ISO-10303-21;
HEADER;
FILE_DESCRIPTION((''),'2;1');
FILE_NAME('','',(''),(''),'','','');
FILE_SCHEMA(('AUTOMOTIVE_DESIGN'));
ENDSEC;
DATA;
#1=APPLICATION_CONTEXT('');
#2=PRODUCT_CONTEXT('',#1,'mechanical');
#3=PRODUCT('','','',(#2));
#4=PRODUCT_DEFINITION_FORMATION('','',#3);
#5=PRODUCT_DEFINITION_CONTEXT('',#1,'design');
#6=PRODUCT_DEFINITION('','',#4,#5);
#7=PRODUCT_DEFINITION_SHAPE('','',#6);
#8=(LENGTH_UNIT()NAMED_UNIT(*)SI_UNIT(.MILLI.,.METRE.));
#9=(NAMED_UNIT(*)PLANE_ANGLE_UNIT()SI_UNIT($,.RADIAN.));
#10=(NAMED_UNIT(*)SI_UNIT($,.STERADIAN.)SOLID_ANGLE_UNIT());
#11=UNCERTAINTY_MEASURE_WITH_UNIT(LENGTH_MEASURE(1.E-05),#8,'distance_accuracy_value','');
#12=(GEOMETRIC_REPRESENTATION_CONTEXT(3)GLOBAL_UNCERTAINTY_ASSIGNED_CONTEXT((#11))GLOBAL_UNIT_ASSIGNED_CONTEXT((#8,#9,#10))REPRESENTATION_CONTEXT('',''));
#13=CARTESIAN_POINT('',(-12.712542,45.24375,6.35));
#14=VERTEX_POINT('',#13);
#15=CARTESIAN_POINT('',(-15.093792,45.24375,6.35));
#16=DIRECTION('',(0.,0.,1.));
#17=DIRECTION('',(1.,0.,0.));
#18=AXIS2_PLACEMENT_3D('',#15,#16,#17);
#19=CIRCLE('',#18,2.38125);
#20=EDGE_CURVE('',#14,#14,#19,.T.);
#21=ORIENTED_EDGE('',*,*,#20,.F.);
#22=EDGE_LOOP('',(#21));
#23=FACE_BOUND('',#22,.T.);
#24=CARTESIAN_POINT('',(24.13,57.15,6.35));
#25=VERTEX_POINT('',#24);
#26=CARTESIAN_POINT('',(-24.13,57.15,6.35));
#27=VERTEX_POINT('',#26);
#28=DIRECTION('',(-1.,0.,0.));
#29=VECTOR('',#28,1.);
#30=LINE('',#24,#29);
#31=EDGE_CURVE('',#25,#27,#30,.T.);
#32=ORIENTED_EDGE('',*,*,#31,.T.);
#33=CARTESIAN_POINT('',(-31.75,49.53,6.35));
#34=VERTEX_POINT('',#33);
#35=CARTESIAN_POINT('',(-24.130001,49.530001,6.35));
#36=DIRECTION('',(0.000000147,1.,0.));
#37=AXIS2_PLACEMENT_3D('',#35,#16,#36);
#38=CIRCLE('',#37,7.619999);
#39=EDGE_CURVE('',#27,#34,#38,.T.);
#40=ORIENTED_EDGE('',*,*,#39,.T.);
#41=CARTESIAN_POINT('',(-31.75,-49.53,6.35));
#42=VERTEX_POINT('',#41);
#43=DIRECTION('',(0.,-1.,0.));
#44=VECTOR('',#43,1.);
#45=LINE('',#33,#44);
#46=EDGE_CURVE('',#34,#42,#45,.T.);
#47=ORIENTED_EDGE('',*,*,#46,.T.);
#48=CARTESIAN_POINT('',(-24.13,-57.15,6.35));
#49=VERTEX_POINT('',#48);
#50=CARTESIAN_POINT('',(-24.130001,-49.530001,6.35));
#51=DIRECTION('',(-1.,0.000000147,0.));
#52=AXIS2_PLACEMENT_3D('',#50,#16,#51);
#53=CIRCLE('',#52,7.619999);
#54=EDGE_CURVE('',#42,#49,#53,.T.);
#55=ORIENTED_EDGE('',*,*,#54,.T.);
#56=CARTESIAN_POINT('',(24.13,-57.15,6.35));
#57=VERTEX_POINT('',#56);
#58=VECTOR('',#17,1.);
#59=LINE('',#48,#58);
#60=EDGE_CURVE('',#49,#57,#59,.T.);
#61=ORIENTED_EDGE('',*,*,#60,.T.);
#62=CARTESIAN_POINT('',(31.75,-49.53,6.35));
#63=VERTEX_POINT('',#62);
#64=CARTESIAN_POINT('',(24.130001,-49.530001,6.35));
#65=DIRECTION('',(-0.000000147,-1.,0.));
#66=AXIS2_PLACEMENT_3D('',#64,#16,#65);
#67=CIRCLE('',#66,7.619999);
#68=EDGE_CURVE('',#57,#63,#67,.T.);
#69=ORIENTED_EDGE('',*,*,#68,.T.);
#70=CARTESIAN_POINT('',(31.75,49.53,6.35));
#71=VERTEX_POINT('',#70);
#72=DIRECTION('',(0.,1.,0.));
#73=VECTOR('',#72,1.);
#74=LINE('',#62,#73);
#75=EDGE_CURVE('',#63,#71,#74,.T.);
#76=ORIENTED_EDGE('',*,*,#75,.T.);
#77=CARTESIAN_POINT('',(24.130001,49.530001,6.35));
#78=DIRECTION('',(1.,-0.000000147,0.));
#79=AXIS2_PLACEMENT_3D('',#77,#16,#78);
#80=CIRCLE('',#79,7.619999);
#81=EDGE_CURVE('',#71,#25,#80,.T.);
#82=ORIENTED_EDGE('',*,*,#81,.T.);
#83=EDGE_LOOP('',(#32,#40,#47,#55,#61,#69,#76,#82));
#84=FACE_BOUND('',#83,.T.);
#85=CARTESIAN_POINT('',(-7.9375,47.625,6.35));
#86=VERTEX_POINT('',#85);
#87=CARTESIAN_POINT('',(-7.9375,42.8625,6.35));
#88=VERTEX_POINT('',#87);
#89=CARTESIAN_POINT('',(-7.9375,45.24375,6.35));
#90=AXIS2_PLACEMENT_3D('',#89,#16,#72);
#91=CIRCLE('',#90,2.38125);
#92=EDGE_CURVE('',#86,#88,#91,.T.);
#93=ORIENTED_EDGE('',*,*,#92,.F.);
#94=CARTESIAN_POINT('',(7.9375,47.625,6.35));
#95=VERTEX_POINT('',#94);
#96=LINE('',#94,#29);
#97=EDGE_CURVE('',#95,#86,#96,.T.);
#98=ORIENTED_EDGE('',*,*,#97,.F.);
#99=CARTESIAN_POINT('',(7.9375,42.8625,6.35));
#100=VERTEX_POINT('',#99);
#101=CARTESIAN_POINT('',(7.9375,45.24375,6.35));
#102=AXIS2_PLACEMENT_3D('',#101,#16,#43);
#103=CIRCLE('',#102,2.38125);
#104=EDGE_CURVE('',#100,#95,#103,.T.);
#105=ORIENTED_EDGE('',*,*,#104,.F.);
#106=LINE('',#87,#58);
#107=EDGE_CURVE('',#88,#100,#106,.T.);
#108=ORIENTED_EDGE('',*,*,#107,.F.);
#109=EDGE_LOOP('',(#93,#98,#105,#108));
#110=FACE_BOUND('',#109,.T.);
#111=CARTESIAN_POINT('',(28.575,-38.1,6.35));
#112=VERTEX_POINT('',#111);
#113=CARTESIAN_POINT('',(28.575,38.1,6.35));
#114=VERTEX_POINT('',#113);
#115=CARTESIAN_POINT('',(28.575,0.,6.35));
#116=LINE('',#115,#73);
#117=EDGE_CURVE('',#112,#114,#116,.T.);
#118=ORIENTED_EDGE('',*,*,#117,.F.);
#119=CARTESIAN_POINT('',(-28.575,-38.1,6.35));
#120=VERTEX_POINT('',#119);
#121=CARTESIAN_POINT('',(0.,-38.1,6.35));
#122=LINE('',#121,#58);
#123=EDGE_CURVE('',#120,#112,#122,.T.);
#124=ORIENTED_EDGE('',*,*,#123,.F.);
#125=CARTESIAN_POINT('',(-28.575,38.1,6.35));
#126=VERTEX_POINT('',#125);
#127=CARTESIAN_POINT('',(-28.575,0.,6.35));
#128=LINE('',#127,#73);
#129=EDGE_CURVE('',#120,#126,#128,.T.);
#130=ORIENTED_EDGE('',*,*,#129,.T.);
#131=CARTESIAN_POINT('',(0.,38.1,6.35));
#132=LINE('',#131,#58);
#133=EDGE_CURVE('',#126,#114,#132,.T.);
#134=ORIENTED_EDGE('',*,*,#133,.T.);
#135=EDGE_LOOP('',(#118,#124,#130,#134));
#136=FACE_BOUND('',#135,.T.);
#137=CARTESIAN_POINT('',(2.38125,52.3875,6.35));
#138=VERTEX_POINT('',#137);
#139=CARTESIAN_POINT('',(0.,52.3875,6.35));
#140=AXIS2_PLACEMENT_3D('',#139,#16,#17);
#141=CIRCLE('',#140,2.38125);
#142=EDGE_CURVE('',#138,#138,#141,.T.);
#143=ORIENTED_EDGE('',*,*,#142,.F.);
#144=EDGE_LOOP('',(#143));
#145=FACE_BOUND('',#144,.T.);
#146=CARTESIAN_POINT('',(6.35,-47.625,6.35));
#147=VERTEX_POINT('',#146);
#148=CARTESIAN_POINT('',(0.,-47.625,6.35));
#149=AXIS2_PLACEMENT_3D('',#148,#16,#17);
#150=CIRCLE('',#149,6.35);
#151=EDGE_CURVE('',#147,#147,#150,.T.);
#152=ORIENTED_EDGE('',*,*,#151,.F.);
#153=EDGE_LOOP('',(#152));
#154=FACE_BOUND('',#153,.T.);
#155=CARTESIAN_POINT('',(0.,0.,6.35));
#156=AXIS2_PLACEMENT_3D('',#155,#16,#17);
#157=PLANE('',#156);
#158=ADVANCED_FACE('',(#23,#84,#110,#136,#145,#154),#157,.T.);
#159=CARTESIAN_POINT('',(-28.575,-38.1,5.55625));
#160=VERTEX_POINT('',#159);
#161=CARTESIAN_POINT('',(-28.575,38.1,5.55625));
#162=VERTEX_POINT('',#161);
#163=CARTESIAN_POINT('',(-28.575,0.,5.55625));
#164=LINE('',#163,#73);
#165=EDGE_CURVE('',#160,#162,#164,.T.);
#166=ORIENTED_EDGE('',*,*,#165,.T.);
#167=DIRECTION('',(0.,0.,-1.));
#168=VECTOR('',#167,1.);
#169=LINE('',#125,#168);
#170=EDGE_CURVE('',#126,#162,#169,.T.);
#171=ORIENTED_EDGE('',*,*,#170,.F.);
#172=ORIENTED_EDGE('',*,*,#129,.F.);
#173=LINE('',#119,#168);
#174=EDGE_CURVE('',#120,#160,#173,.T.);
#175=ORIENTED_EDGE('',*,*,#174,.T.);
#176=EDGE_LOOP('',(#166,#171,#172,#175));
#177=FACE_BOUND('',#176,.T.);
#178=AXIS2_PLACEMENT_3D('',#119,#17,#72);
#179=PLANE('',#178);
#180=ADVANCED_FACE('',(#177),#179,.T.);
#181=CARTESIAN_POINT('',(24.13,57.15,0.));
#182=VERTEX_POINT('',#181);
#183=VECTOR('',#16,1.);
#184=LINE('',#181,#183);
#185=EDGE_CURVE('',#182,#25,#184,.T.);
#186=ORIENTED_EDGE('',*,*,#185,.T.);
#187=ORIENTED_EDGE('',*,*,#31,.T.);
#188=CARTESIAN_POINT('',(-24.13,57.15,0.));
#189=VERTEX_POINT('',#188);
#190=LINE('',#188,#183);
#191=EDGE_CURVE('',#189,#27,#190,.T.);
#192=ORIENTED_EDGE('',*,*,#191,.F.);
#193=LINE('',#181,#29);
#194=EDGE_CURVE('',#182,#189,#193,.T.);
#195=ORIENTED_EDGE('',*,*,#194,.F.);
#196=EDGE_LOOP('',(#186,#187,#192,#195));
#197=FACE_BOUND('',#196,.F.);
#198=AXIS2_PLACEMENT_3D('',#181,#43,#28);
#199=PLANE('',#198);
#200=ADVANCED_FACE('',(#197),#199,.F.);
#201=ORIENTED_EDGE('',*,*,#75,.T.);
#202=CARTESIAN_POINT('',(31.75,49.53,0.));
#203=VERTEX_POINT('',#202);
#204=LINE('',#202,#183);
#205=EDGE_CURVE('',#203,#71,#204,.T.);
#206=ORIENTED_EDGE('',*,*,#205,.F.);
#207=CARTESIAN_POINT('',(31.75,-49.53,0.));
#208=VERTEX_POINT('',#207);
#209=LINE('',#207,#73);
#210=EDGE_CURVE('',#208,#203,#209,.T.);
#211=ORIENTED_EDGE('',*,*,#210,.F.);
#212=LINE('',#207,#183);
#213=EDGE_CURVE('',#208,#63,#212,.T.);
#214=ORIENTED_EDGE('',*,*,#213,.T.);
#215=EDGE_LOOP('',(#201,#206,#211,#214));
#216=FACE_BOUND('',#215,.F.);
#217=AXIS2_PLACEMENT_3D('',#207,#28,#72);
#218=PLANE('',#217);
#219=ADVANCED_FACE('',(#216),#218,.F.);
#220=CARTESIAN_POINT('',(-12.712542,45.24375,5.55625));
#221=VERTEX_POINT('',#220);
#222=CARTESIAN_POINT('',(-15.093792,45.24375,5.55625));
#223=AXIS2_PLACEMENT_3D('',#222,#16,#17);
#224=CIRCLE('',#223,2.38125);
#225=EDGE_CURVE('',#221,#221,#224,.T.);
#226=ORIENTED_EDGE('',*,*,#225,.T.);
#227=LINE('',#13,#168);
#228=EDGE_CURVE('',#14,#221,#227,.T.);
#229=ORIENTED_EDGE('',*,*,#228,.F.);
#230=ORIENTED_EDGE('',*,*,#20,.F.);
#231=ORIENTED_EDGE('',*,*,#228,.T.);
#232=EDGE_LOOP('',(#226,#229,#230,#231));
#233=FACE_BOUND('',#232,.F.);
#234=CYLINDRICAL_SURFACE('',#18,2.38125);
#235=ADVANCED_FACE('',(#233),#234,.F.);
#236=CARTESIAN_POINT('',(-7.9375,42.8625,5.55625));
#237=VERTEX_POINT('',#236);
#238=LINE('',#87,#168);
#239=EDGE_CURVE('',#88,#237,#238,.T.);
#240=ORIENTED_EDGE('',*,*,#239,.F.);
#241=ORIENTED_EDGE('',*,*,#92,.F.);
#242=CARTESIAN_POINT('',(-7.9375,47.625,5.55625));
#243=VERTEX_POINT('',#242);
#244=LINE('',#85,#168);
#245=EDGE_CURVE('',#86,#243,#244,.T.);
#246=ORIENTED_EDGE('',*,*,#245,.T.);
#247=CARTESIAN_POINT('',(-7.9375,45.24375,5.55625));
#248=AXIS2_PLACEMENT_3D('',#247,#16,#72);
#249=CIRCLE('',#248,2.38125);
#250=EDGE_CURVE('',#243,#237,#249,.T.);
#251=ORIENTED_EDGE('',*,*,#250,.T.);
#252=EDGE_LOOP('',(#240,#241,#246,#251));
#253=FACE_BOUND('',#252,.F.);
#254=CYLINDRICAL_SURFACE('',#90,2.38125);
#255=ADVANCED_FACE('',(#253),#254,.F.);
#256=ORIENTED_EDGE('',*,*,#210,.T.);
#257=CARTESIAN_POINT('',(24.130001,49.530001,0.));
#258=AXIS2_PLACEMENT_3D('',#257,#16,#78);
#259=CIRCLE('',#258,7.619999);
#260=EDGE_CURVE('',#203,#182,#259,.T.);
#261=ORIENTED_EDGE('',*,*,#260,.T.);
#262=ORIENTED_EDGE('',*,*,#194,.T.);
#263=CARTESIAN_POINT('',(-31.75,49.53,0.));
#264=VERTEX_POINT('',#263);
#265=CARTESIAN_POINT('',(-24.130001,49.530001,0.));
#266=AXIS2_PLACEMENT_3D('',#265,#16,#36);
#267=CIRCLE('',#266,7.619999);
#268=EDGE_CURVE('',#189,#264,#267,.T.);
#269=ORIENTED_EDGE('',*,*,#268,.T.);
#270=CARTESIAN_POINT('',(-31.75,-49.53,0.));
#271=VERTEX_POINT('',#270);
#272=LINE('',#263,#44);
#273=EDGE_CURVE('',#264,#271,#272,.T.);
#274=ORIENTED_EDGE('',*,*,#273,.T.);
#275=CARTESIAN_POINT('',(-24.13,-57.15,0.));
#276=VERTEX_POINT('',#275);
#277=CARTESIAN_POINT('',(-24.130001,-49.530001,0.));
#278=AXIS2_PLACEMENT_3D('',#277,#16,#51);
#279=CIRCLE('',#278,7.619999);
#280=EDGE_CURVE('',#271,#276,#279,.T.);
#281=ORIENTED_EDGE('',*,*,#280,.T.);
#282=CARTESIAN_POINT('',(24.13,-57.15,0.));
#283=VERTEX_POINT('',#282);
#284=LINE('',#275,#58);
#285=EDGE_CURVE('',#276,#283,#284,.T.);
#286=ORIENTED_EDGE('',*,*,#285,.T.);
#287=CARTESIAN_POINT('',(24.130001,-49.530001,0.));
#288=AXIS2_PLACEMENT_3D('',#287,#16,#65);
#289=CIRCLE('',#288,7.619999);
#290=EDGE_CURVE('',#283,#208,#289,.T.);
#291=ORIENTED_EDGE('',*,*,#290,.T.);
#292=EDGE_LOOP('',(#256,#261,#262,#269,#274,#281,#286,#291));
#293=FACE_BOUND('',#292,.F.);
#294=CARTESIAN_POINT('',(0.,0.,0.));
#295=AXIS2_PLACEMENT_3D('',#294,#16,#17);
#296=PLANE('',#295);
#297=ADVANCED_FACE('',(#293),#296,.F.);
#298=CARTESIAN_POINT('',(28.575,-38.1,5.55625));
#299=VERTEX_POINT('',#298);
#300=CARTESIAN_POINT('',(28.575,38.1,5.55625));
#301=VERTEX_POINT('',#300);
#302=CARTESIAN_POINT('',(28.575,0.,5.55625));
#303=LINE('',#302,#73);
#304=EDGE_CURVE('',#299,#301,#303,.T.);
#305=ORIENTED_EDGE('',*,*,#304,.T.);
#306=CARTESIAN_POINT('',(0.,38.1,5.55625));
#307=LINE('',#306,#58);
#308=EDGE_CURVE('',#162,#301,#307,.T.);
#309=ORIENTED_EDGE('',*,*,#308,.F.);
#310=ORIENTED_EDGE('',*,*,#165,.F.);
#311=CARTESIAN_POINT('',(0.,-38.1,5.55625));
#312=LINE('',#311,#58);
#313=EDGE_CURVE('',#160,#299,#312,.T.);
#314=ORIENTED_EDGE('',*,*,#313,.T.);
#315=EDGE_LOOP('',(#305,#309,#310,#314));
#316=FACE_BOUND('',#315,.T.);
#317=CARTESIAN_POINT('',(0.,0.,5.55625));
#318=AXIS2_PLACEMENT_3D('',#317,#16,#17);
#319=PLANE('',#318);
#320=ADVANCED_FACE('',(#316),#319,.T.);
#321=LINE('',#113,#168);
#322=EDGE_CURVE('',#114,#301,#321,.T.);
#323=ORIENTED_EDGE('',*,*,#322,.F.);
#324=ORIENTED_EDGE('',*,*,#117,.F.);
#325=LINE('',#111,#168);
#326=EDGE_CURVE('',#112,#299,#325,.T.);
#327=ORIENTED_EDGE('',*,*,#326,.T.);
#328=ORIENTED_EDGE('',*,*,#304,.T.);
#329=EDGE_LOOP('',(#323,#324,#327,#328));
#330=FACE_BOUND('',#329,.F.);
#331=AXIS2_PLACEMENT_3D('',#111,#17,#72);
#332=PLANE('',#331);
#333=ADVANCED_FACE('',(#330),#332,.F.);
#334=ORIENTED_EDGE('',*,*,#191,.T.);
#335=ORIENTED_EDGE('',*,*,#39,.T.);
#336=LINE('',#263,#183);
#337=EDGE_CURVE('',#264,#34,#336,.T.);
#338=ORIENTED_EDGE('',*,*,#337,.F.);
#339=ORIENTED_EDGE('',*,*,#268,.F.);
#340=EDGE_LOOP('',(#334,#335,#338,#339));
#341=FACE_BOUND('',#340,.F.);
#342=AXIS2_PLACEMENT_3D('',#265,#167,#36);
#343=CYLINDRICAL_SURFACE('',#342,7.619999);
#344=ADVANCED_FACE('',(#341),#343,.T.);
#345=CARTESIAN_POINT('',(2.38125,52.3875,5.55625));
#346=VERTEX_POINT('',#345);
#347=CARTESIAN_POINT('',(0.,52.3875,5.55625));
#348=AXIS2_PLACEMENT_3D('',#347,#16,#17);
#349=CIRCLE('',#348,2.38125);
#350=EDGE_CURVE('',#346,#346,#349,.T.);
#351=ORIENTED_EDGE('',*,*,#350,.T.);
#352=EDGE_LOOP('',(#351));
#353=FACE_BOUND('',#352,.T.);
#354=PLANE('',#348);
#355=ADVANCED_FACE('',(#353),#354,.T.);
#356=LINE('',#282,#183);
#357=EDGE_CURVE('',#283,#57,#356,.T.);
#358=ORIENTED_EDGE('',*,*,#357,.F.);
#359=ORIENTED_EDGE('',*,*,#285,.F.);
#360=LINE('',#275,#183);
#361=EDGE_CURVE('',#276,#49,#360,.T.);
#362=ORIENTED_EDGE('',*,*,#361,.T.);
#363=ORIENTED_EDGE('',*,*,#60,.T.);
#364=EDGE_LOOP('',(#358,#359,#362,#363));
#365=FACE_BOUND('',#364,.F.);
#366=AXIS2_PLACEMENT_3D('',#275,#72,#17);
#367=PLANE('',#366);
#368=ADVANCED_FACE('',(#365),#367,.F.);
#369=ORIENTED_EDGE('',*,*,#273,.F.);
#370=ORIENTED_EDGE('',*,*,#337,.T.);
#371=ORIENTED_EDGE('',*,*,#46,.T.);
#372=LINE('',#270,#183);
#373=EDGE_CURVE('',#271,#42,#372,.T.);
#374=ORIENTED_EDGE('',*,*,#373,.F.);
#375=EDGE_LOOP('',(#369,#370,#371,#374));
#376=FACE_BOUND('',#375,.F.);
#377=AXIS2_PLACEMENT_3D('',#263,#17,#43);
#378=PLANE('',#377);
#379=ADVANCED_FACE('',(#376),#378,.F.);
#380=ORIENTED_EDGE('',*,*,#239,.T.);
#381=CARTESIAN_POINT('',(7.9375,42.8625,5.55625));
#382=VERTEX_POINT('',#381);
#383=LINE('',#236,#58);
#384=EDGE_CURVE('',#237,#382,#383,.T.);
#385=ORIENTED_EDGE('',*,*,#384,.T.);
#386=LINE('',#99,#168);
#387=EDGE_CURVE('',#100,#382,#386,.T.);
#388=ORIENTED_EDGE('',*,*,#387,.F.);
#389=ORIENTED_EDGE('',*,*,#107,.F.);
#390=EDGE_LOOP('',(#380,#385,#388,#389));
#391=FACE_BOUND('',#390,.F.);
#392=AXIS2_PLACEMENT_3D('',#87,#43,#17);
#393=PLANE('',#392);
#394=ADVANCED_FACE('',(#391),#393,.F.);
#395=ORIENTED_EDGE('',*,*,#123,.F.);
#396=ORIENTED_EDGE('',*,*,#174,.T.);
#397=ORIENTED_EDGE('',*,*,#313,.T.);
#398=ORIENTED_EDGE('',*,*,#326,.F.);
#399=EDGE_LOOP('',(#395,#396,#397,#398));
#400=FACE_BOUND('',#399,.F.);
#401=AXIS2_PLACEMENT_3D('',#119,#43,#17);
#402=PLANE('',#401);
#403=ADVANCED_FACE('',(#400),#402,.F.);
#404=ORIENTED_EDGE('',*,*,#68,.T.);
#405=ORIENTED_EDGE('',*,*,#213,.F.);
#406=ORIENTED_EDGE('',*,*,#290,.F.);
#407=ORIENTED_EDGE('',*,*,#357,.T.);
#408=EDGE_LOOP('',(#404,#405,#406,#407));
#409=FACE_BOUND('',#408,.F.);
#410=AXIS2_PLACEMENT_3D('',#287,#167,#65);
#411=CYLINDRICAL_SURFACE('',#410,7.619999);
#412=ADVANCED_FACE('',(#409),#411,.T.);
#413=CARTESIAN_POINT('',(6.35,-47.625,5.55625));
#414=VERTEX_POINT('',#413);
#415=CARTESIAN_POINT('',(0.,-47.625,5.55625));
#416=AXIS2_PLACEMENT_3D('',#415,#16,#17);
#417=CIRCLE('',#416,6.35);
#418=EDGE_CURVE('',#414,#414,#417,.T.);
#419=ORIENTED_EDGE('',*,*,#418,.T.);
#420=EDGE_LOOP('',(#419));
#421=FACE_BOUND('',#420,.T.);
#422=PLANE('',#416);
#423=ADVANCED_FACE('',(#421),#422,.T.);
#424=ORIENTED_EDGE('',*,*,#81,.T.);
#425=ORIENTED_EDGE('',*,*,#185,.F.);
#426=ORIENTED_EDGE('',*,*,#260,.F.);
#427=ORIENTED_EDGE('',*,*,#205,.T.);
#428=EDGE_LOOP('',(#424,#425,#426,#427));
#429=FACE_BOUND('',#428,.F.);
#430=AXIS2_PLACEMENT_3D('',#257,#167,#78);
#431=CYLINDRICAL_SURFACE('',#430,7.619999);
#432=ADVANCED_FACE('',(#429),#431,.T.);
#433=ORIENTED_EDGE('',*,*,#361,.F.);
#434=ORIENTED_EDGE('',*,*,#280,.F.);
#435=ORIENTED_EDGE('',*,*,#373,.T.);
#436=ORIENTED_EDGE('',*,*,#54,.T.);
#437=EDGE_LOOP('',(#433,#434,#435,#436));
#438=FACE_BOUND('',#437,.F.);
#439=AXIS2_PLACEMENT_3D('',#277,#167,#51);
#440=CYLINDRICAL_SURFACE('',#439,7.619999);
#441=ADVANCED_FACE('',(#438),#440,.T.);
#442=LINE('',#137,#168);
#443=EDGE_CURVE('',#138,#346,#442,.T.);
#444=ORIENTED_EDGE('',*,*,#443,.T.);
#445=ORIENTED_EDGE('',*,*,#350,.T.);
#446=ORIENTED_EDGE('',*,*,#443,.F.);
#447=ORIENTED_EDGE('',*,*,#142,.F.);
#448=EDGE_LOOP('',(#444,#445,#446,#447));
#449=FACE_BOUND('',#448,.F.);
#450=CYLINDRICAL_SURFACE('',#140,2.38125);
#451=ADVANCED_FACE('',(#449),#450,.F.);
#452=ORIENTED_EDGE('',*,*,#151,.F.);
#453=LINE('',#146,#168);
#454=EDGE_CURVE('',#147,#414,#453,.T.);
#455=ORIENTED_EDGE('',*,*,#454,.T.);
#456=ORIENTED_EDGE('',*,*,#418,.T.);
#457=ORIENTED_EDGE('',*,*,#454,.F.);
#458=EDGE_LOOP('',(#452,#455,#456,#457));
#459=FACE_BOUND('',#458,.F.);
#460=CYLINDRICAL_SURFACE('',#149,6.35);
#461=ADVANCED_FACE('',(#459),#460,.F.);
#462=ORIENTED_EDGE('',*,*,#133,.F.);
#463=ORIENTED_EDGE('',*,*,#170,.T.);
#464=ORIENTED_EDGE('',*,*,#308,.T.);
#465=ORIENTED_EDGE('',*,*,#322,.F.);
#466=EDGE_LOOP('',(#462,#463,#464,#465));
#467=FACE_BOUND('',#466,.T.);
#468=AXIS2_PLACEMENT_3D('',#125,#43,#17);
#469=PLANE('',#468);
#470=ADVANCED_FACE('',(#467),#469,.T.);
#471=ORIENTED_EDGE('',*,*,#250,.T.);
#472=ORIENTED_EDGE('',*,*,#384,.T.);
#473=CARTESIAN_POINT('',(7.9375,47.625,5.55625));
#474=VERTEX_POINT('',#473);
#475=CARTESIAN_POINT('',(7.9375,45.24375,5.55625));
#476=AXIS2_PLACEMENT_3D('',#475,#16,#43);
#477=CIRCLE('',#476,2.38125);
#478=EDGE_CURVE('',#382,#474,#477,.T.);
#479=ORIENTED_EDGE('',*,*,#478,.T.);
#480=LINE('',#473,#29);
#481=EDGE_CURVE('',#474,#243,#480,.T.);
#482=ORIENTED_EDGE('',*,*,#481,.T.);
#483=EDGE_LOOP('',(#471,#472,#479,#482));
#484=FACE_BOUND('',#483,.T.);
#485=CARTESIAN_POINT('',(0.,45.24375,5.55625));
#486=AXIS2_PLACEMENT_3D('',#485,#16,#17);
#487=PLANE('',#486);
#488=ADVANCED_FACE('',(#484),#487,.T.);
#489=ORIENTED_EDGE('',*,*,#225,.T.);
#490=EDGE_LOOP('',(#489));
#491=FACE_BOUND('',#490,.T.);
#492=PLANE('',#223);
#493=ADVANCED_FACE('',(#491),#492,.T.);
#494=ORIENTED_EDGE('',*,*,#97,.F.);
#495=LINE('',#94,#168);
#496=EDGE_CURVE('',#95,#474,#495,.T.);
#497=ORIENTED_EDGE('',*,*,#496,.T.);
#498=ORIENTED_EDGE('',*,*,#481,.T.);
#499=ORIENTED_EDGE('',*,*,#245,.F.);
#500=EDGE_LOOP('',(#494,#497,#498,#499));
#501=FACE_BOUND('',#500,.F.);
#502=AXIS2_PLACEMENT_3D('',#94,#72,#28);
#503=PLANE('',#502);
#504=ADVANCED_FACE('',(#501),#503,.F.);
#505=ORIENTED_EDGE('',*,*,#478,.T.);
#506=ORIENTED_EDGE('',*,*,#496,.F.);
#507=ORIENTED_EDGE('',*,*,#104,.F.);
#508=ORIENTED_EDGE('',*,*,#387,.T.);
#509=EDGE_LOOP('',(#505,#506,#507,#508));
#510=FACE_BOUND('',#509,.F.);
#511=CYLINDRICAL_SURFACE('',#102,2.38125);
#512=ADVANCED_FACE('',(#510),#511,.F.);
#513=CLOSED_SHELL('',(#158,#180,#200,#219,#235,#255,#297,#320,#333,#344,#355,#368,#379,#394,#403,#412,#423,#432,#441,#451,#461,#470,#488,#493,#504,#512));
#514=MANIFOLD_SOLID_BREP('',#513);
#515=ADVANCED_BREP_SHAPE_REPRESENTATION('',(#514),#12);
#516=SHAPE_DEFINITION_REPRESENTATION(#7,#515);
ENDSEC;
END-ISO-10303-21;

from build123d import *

# Parameters (mm, degrees)
F3_DEPTH = 6.35
F0_R     = 6.35
F0_W     = 57.15
F0_H     = 76.2
F0_R_2   = 2.38125
F1_DEPTH = 0.79375


with BuildPart() as f3:
    # F2 (on Top) → F3 (new body)
    with BuildSketch(Plane.XY):
        with BuildLine():
            ThreePointArc((31.75, 49.53), (29.518154, 54.918154), (24.13, 57.15))
            Line((24.13, 57.15), (-24.13, 57.15))
            ThreePointArc((-24.13, 57.15), (-29.518154, 54.918154), (-31.75, 49.53))
            Line((-31.75, 49.53), (-31.75, -49.53))
            ThreePointArc((-31.75, -49.53), (-29.518154, -54.918154), (-24.13, -57.15))
            Line((-24.13, -57.15), (24.13, -57.15))
            ThreePointArc((24.13, -57.15), (29.518154, -54.918154), (31.75, -49.53))
            Line((31.75, -49.53), (31.75, 49.53))
        make_face()
    extrude(amount=F3_DEPTH)

    # F0 (on face) → F1 (cut)
    with BuildSketch(Plane.XY.offset(6.35)):
        with Locations((0, -47.625)):
            Circle(F0_R)
        with BuildLine():
            ThreePointArc((-7.9375, 47.625), (-10.31875, 45.24375), (-7.9375, 42.8625))
            Line((-7.9375, 42.8625), (7.9375, 42.8625))
            ThreePointArc((7.9375, 42.8625), (10.31875, 45.24375), (7.9375, 47.625))
            Line((7.9375, 47.625), (-7.9375, 47.625))
        make_face()
        Rectangle(F0_W, F0_H)
        with Locations((-15.093792, 45.24375)):
            Circle(F0_R_2)
        with Locations((0, 52.3875)):
            Circle(F0_R_2)
    extrude(amount=-F1_DEPTH, mode=Mode.SUBTRACT)


solid = f3.part
